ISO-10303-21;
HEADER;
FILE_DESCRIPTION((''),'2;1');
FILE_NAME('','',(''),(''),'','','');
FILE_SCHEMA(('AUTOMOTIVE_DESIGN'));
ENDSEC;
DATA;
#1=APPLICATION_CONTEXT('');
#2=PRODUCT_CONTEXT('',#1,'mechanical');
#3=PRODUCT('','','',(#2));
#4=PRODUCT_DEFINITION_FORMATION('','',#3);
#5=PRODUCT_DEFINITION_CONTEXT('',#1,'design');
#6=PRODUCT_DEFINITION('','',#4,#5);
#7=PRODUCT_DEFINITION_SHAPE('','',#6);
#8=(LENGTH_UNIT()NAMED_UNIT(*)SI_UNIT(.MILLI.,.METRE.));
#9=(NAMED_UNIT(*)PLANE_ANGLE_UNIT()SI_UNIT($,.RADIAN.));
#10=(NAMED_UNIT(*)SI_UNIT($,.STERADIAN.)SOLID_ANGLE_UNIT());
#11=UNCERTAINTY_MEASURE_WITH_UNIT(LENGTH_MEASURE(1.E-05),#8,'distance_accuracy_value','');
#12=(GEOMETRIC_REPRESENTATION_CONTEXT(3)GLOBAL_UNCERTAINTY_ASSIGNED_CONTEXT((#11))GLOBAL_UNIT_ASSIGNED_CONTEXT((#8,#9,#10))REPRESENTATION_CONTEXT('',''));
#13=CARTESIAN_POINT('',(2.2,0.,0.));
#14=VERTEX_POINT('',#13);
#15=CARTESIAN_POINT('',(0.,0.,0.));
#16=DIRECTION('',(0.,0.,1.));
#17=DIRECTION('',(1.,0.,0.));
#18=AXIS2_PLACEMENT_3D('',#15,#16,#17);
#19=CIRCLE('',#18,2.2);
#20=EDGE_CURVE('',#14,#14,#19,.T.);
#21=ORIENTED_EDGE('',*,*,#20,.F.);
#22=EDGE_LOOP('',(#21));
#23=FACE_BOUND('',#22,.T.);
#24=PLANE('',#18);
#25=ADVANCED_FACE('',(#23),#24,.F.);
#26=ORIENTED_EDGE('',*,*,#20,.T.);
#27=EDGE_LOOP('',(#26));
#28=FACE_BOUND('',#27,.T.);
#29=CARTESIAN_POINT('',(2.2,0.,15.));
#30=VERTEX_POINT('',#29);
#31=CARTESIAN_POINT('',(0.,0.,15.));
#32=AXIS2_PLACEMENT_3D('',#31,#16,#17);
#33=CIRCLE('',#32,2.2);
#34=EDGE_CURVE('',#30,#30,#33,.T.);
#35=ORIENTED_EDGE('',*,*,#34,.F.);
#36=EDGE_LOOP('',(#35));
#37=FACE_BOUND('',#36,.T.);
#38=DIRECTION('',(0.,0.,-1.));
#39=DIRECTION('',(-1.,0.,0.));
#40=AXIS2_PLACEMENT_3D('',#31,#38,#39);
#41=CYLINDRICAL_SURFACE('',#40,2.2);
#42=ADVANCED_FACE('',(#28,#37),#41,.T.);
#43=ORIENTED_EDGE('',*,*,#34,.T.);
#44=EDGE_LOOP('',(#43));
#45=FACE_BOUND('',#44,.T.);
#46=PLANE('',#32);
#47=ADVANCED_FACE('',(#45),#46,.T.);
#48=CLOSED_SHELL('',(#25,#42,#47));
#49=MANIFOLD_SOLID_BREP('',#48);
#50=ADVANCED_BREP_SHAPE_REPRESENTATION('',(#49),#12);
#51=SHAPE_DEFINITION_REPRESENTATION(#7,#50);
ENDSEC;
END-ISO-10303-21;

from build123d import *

# Parameters (mm, degrees)
SKETCH_1_R      = 2.2
EXTRUDE_1_DEPTH = 15


with BuildPart() as part:
    # Эскиз1 → Бобышка-Вытянуть1 (new body)
    with BuildSketch(Plane.XY):
        Circle(SKETCH_1_R)
    extrude(amount=EXTRUDE_1_DEPTH)


solid = part.part
